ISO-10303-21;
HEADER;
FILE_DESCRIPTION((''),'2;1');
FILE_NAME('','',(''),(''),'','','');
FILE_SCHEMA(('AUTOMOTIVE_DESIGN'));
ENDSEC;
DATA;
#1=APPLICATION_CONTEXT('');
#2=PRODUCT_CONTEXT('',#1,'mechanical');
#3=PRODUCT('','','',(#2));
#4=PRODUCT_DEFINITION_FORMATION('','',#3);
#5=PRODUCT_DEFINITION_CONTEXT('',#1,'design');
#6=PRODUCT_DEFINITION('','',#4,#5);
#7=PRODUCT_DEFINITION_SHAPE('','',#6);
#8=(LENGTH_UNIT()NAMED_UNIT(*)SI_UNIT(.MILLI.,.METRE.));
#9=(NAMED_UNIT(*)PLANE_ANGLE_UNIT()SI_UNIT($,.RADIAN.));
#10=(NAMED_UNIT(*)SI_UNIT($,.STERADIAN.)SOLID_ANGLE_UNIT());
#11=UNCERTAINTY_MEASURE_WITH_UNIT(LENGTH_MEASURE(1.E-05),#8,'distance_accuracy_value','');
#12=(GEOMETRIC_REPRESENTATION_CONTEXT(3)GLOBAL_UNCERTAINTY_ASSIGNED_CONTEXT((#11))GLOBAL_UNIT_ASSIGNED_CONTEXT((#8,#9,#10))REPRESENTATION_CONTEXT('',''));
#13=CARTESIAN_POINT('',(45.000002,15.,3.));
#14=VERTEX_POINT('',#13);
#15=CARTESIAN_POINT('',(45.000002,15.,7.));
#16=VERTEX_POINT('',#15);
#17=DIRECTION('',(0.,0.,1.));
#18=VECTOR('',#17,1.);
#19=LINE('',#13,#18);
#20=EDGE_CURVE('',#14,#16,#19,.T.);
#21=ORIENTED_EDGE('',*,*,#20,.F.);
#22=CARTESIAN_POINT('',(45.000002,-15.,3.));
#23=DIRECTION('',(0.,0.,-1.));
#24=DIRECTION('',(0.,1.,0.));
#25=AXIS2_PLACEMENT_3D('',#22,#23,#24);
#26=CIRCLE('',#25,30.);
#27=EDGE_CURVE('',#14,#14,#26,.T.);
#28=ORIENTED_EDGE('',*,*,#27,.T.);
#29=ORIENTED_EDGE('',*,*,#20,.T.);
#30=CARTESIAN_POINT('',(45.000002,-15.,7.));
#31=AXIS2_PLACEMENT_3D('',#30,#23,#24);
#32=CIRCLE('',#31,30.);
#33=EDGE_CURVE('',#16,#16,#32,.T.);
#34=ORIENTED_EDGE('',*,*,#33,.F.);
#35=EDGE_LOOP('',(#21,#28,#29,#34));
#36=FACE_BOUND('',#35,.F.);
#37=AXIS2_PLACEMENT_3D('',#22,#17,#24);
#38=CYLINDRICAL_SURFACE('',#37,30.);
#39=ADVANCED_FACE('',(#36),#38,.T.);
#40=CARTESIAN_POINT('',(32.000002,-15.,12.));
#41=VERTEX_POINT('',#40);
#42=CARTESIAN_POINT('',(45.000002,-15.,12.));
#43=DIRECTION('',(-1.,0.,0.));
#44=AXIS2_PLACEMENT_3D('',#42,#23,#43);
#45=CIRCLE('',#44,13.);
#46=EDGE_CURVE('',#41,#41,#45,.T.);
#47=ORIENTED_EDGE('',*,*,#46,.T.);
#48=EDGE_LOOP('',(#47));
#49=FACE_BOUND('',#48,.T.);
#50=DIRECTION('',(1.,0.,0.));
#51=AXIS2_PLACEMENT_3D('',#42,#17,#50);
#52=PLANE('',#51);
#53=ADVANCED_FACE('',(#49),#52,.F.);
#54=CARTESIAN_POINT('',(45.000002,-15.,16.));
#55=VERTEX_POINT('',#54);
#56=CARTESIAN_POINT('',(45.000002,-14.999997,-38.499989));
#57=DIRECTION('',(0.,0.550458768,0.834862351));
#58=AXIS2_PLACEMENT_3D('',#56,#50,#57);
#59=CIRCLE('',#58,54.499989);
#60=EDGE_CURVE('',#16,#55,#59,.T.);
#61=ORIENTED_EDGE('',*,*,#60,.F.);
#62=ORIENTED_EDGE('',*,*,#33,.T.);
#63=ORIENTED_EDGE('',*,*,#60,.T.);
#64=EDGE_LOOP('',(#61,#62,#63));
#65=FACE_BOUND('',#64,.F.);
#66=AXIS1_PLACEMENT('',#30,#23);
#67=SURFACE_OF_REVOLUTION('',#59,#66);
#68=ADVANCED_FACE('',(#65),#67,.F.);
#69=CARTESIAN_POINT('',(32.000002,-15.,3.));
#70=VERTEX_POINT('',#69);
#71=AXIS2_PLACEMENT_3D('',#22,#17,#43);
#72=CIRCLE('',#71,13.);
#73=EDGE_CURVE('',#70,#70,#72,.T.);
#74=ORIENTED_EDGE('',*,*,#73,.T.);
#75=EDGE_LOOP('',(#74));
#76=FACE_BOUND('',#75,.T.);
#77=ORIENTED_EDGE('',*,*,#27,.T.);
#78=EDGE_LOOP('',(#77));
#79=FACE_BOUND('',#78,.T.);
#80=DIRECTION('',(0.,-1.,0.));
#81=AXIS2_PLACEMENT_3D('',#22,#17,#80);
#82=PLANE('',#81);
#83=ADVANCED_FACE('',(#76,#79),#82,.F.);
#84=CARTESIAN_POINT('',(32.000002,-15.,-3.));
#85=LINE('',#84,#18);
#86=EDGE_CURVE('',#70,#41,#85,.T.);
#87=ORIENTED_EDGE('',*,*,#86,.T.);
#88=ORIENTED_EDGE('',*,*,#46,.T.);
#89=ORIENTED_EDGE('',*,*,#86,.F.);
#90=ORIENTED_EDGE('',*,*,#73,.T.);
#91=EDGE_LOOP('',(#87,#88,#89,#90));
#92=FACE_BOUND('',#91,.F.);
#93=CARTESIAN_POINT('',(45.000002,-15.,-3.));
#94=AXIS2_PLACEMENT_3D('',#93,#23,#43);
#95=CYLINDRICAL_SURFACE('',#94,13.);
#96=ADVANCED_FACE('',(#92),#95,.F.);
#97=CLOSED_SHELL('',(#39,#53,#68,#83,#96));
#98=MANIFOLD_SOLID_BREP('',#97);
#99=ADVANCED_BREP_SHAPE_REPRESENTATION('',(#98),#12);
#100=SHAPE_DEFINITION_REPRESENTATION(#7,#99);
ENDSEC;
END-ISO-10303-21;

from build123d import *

# Parameters (mm, degrees)
CYLINDER_R     = 13
CYLINDER_DEPTH = 15


with BuildPart() as thin:
    # Cylinder → Cylinder (new body)
    with BuildSketch(Plane(origin=(-45, -15, -3), x_dir=(1, 0, 0), z_dir=(0, 0, 1))):
        Circle(CYLINDER_R)
    extrude(amount=CYLINDER_DEPTH)


with BuildPart() as mushroom:
    # Sketch001 → Revolve (revolve)
    with BuildSketch(Plane.YZ):
        with BuildLine():
            Line((30, -4), (30, 0))
            ThreePointArc((30, 0), (15.66046, 6.701533), (0, 9))
            Line((0, -4), (0, 9))
            Line((30, -4), (0, -4))
        make_face()
    revolve(axis=Axis((0, 0, 0), (0, 0, 1)))


with BuildPart() as mushroom_1:
    # Revolve placement: moved
    add(mushroom.part.moved(Location((-45, -15, 7))))

    # Cut: cut Thin
    add(thin.part, mode=Mode.SUBTRACT)


with BuildPart() as part_mirroring001:
    # Part__Mirroring001: instance of Mushroom
    add(mushroom_1.part.mirror(Plane(origin=(1e-06, -15, 8.5), x_dir=(0, -1, 0), z_dir=(1, 0, 0))))


solid = part_mirroring001.part
